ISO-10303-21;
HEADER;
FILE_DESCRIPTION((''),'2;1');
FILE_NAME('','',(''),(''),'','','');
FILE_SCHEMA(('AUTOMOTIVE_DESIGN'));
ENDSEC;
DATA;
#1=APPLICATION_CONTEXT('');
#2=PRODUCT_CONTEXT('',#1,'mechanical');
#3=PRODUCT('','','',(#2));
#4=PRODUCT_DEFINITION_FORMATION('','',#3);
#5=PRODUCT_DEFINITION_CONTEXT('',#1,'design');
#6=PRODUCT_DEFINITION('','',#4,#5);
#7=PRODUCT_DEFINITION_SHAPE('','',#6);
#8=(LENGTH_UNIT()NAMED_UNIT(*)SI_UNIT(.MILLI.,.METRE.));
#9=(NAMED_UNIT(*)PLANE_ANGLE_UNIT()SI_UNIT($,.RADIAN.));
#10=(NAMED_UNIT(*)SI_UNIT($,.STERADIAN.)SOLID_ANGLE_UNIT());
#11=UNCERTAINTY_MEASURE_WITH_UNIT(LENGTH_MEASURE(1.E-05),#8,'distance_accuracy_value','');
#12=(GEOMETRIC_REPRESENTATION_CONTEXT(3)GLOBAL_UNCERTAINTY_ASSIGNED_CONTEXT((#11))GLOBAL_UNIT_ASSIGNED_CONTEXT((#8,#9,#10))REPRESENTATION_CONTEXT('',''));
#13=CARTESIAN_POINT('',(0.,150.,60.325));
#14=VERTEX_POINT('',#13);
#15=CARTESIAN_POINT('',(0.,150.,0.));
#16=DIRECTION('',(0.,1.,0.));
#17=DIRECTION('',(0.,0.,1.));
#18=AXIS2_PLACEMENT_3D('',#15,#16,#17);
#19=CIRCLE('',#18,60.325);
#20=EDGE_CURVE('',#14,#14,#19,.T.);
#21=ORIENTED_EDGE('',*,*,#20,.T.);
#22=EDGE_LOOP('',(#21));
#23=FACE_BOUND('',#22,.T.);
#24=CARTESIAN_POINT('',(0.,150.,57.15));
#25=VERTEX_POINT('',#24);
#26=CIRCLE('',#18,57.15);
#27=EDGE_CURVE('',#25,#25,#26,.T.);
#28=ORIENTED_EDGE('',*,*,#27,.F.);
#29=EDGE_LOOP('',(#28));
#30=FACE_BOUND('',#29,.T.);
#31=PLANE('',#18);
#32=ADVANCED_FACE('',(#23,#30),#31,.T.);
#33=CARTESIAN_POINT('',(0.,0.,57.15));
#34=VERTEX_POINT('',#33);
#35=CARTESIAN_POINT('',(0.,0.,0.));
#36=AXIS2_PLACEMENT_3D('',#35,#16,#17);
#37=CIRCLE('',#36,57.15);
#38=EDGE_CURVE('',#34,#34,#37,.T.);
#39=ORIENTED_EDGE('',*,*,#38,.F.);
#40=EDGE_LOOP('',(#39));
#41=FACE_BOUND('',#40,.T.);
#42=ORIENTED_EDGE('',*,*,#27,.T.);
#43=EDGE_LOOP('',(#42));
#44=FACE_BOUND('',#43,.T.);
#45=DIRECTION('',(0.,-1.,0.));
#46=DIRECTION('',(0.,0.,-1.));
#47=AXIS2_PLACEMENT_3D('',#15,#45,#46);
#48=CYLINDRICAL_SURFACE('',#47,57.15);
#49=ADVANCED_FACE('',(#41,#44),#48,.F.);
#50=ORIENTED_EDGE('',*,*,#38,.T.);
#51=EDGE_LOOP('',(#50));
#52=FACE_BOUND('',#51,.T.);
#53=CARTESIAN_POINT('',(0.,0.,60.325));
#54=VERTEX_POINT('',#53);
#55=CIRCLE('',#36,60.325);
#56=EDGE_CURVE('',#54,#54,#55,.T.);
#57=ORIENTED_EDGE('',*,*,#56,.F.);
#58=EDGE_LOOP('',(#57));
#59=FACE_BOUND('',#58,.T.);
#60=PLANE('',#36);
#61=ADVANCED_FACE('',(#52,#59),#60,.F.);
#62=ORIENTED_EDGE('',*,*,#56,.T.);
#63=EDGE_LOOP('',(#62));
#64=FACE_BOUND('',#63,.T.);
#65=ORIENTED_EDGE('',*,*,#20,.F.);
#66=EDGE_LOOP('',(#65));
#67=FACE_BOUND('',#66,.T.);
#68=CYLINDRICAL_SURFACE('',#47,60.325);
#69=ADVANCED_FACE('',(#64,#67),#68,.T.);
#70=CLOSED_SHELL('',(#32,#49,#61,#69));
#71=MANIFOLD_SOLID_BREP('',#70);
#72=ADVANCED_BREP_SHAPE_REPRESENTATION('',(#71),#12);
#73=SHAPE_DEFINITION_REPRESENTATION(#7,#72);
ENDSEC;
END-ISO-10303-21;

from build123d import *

# Parameters (mm, degrees)
CROQUIS1_R              = 60.325
CROQUIS1_R_2            = 57.15
SALIENTE_EXTRUIR1_DEPTH = 150


with BuildPart() as part:
    # Croquis1 → Saliente-Extruir1 (new body)
    with BuildSketch(Plane(origin=(0, 0, 0), x_dir=(1, 0, 0), z_dir=(0, 1, 0))):
        with Locations(Location((0, 0, 0), (0, 0, 270))):
            Circle(CROQUIS1_R)
        with Locations(Location((0, 0, 0), (0, 0, 270))):
            Circle(CROQUIS1_R_2, mode=Mode.SUBTRACT)
    extrude(amount=SALIENTE_EXTRUIR1_DEPTH)


solid = part.part
